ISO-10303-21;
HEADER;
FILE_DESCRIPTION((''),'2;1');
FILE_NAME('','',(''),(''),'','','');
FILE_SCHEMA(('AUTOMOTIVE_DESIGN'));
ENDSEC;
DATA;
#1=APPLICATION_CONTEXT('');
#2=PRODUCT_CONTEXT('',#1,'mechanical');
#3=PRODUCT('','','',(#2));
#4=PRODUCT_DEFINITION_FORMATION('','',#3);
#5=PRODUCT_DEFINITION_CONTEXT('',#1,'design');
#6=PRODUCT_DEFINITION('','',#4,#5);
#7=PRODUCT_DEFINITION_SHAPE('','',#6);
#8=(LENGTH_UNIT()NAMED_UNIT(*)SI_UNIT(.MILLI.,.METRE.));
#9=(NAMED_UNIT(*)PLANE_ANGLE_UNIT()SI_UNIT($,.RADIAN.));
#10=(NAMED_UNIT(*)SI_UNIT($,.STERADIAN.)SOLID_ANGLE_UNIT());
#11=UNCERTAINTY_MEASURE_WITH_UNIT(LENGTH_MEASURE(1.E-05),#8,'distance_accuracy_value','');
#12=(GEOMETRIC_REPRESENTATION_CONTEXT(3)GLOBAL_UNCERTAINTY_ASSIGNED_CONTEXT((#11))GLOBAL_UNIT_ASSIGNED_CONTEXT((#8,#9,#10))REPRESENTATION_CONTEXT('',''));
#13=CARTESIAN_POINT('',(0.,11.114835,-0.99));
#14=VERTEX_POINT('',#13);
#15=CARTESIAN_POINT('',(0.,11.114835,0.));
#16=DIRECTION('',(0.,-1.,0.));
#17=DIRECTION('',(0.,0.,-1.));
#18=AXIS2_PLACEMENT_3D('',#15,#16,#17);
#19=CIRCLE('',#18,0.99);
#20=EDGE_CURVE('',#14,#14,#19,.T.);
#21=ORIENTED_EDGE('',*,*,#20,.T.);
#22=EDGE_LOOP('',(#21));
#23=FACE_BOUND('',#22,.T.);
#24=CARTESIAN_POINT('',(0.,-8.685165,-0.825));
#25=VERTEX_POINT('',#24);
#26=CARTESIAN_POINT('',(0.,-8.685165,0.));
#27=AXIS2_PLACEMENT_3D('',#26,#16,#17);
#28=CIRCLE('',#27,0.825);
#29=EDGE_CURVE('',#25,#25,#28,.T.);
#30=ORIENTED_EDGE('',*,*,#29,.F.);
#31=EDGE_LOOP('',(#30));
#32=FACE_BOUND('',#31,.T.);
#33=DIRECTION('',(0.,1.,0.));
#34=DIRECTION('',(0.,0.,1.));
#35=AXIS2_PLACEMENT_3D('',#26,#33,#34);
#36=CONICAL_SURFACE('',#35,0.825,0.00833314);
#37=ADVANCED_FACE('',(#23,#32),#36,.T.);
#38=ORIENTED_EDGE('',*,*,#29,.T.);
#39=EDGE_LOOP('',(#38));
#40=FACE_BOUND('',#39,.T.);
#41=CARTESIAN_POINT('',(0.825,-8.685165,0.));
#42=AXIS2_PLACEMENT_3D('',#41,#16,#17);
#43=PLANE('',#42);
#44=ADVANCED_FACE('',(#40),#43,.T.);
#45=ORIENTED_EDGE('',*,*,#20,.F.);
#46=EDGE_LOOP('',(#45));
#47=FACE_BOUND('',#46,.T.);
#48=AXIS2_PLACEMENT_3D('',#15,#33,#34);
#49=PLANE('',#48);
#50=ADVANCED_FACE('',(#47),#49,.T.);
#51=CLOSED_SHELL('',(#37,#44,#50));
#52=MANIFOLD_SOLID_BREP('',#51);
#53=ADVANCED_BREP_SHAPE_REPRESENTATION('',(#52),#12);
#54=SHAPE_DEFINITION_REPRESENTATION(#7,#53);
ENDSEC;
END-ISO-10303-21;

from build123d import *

# Parameters (mm, degrees)
SCALE1_SCALE = 0.33


with BuildPart() as part:
    # Sketch1 → Revolve1 (revolve)
    with BuildSketch(Plane.XY, mode=Mode.PRIVATE) as revolve1_sk:
        Polygon((0, -30), (0, 30), (3, 30), (2.5, -30), align=None)
    revolve(revolve1_sk.sketch.rotate(Axis((0, -30, 0), (0, 1, 0)), 90), axis=Axis((0, -30, 0), (0, 1, 0)))


with BuildPart() as part_1:
    # Scale1: scaled about (0, 1.813186813, 0)
    add(part.part.scale(SCALE1_SCALE).moved(Location((0, 1.214835165, 0))))


solid = part_1.part
